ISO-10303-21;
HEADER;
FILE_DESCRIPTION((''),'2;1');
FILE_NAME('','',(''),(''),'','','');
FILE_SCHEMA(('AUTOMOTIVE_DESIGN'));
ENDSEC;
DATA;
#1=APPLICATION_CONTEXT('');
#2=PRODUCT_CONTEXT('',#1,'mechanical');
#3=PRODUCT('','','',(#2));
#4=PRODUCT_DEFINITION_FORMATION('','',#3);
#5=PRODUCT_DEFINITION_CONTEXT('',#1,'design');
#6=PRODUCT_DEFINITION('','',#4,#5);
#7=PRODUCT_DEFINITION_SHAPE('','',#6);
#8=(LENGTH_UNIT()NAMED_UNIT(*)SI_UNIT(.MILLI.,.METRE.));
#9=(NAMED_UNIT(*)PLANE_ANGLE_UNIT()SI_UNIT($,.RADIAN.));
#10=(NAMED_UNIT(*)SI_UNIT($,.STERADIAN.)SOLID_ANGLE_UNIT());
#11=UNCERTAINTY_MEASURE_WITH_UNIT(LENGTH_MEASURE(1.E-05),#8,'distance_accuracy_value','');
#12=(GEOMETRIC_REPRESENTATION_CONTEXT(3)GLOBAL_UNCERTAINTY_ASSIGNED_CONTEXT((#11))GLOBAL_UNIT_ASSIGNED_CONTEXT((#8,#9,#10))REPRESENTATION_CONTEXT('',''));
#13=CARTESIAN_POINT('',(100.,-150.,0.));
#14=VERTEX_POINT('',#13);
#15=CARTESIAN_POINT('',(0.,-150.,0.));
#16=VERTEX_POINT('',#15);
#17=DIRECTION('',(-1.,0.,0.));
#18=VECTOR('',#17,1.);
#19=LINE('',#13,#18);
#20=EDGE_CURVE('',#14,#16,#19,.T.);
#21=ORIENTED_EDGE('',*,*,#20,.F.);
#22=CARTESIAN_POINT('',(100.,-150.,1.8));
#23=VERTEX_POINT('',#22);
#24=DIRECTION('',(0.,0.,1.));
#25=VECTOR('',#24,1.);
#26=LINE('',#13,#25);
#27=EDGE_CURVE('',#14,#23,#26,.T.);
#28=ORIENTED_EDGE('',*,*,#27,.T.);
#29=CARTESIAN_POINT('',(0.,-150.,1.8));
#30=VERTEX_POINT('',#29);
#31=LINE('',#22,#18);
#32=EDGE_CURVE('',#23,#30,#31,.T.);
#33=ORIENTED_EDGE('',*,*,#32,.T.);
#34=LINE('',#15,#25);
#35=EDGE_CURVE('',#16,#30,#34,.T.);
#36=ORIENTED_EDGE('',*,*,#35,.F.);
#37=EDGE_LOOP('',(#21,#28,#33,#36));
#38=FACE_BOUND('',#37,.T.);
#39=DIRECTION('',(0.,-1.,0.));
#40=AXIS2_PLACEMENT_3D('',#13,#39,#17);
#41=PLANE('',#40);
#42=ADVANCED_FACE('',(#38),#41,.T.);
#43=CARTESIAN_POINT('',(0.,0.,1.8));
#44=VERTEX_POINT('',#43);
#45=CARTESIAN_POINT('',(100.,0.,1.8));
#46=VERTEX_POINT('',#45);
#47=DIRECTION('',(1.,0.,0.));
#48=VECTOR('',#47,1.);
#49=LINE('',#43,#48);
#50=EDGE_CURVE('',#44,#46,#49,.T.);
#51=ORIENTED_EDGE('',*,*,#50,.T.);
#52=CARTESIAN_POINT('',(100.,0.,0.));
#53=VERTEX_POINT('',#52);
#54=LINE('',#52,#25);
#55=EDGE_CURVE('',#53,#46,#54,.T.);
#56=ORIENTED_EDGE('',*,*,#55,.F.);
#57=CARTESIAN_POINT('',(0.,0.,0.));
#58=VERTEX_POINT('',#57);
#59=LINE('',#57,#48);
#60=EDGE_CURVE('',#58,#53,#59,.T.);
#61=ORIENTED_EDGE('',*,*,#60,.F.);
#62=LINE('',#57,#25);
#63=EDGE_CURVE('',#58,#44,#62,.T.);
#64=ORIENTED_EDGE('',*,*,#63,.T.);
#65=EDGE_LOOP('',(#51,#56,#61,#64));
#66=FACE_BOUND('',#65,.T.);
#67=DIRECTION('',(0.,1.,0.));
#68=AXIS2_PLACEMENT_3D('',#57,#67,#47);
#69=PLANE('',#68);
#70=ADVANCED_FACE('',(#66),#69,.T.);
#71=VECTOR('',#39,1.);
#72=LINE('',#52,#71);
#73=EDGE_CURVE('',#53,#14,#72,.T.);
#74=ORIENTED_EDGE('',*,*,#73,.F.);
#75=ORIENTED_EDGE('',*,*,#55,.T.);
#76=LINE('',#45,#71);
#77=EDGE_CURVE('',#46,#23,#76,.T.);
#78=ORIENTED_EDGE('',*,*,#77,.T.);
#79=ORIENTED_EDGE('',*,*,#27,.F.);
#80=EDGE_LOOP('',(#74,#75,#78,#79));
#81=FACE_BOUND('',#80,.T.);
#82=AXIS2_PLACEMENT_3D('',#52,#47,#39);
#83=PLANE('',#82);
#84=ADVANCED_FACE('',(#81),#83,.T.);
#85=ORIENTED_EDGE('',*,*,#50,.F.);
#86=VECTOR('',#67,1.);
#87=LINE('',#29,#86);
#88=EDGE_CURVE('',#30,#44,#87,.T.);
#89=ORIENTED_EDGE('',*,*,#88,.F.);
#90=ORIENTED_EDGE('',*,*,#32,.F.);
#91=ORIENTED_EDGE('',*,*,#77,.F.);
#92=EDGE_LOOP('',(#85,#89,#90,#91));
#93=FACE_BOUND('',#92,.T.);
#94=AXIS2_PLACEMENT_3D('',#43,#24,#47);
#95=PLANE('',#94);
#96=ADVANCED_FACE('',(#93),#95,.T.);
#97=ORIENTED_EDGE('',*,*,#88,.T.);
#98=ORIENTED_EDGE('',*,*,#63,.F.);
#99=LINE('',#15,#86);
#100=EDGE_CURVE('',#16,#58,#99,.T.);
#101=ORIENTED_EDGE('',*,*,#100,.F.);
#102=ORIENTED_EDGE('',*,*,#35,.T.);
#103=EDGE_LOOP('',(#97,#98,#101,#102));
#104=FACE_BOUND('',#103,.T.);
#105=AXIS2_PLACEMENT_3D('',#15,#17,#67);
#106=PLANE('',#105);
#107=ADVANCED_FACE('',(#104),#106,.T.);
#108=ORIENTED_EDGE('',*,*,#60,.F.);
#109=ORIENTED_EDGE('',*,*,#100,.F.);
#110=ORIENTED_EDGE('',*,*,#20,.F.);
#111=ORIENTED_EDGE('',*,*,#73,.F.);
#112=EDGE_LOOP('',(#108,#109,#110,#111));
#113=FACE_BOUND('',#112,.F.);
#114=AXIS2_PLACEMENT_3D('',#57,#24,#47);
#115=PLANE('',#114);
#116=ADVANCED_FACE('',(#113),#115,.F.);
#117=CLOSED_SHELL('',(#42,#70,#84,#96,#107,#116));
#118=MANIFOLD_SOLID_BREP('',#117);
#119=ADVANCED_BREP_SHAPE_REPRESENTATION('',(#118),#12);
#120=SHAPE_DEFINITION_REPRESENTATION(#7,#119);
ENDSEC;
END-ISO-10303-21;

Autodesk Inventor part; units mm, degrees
ref_plane "YZ Plane" through (0, 0, 0) normal (1, 0, 0) x (0, 1, 0)
ref_plane "XZ Plane" through (0, 0, 0) normal (0, 1, 0) x (-1, 0, 0)
ref_plane "XY Plane" through (0, 0, 0) normal (0, 0, 1) x (1, 0, 0)
sketch "Sketch1" plane through (0, 0, 0) normal (0, 0, 1) x (1, 0, 0)
  line L0 (0, 0) -> (100, 0)
  line L1 (100, 0) -> (100, -150)
  line L2 (100, -150) -> (0, -150)
  line L3 (0, -150) -> (0, 0)
  dimension "d0" = 100
  dimension "d1" = 150
extrude "Extrusion1" add sketch "Sketch1" along normal blind 1.8
properties part number "5013_Aluminum_Chasis_Coil_Assembly_Door_MPSv2_v1" material "Aluminum 6061"
